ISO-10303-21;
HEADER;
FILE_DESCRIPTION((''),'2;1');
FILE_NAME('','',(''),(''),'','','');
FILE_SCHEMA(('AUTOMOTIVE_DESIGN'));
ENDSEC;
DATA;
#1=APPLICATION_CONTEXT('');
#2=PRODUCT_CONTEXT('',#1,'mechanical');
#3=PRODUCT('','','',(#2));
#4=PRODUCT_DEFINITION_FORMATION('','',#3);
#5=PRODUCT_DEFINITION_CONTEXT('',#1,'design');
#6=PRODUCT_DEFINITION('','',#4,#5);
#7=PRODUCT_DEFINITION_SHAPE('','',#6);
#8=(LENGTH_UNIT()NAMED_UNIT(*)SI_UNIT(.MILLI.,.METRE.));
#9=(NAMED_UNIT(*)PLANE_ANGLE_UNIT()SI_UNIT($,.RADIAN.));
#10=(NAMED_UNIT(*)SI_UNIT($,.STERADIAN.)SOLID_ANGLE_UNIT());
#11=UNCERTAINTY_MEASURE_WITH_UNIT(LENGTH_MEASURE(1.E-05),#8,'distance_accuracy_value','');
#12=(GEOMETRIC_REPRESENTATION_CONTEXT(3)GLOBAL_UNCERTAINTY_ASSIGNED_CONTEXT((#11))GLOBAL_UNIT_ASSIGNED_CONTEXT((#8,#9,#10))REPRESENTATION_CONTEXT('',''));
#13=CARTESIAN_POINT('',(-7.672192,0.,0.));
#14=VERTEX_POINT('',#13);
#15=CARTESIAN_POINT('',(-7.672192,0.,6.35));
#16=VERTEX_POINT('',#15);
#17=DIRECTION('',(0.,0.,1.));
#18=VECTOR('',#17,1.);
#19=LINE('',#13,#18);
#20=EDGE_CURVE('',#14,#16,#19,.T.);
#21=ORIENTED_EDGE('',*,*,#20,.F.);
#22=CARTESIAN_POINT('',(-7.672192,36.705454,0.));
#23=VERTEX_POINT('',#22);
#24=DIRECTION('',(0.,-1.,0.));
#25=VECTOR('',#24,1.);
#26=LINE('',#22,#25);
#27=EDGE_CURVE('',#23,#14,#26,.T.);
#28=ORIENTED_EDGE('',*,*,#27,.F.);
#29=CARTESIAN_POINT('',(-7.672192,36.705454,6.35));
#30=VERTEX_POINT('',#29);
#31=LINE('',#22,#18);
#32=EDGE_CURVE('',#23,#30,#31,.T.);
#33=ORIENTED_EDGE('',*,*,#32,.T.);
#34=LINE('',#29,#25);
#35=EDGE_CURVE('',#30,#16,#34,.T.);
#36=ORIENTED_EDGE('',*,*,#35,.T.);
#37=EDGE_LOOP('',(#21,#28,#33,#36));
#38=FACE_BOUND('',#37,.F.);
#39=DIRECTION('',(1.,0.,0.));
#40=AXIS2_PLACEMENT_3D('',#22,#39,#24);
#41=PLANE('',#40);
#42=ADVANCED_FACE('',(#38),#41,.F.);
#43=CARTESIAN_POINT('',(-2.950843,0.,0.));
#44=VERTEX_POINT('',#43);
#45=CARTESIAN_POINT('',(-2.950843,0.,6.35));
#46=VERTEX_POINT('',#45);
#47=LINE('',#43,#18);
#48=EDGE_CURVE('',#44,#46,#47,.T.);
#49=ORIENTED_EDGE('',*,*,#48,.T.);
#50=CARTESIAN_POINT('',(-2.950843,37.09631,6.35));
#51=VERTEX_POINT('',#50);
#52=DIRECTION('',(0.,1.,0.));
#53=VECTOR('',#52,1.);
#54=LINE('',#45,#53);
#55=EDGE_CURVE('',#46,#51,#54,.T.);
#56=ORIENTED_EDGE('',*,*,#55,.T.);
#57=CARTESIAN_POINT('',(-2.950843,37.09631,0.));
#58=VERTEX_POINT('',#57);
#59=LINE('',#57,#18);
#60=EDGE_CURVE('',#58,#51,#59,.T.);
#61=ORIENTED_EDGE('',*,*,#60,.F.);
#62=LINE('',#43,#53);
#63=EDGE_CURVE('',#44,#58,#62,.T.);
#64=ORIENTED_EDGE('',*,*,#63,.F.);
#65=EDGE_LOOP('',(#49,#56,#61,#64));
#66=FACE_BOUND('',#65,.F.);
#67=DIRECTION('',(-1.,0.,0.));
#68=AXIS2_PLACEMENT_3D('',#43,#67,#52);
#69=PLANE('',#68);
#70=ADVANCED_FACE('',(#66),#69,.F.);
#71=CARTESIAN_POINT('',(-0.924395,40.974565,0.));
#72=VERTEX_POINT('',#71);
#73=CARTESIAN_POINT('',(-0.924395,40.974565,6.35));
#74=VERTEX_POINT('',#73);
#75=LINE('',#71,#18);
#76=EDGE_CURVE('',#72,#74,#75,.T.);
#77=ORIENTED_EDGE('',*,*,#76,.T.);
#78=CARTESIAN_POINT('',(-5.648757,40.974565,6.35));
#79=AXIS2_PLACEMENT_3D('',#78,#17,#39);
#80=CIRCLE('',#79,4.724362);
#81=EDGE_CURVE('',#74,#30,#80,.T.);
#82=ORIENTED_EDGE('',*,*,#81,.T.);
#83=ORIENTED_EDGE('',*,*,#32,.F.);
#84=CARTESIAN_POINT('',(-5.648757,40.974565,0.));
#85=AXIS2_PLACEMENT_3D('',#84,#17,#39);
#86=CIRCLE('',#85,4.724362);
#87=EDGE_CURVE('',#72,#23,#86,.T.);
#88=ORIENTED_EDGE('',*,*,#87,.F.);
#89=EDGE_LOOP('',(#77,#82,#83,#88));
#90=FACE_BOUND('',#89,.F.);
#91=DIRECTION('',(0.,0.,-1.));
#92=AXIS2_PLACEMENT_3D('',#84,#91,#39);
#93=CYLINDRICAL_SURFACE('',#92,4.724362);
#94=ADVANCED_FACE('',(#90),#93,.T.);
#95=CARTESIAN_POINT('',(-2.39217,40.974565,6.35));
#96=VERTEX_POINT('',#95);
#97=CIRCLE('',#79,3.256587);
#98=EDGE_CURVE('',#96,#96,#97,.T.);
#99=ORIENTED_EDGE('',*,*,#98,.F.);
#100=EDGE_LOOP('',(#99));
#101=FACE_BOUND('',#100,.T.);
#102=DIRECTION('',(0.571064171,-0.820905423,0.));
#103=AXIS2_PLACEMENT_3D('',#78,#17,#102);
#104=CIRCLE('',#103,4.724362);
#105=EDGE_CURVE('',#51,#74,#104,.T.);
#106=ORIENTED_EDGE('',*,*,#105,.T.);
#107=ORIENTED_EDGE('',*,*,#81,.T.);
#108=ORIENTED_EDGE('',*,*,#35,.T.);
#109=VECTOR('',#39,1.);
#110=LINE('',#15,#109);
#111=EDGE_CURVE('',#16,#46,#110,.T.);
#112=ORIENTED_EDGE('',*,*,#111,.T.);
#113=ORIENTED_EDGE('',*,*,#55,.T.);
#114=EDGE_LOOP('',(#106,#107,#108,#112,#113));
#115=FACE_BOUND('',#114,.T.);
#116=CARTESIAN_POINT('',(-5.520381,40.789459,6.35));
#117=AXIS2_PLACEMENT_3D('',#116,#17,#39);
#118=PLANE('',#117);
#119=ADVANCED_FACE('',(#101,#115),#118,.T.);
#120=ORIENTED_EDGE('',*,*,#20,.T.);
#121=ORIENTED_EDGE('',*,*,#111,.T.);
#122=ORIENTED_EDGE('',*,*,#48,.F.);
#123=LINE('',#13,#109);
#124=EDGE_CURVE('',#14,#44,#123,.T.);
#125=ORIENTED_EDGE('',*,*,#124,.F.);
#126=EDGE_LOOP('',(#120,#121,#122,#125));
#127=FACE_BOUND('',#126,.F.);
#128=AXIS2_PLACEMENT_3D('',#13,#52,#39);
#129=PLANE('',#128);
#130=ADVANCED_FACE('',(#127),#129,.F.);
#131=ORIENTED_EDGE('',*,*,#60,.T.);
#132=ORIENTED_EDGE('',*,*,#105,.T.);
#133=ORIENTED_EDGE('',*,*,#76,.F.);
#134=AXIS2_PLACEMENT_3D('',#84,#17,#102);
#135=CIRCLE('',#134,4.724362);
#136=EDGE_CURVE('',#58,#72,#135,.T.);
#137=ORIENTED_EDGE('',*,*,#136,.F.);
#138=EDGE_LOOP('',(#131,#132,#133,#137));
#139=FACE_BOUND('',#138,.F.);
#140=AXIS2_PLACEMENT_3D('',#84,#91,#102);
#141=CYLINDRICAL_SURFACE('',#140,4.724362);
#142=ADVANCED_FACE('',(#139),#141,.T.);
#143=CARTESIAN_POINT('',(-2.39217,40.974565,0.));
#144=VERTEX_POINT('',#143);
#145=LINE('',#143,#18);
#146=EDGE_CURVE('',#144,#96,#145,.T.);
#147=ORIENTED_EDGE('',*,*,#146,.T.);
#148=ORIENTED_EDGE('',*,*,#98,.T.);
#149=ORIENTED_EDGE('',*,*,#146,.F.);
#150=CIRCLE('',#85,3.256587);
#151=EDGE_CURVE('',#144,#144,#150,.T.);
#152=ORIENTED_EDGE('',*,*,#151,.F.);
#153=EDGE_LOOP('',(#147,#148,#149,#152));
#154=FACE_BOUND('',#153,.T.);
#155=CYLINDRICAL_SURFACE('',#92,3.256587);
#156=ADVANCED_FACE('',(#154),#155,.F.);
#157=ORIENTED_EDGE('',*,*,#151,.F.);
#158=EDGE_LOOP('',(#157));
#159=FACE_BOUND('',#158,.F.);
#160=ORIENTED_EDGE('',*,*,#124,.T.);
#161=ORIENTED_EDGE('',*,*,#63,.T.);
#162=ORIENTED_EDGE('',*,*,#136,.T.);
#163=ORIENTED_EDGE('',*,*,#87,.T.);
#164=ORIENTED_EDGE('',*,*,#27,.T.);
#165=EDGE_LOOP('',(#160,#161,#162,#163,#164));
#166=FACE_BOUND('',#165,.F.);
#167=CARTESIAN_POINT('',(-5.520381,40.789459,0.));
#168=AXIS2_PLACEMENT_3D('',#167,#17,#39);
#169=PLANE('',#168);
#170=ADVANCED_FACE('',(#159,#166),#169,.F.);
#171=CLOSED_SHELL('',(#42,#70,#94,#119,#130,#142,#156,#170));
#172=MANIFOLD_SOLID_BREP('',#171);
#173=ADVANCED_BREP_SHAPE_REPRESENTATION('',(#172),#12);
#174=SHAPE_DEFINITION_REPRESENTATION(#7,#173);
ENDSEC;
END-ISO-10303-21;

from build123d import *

# Parameters (mm, degrees)
F0_R     = 3.2565865512
F1_DEPTH = 6.35


with BuildPart() as f1:
    # F0 (on Top) → F1 (new body)
    with BuildSketch(Plane.XY):
        with BuildLine():
            Line((-7.6721920632, 36.7054540553), (-7.6721920632, 37.0963104069))
            Line((-7.6721920632, 37.0963104069), (-2.9508429579, 37.0963104069))
            ThreePointArc((-2.9508429579, 37.0963104069), (-1.4615430474, 38.7866806162), (-0.9243947942, 40.9745648503))
            ThreePointArc((-0.9243947942, 40.9745648503), (-8.174638541, 44.9669975349), (-7.6721920632, 36.7054540553))
        make_face()
        with Locations((-5.6487568654, 40.9745648503)):
            Circle(F0_R, mode=Mode.SUBTRACT)
        with BuildLine():
            Line((-2.9508429579, 37.0963104069), (-7.6721920632, 37.0963104069))
            Line((-7.6721920632, 37.0963104069), (-7.6721920632, 36.7054540553))
            ThreePointArc((-7.6721920632, 36.7054540553), (-5.2589844262, 36.2663088648), (-2.9508429579, 37.0963104069))
        make_face()
        with BuildLine():
            Line((-2.9508429579, 0), (-2.9508429579, 37.0963104069))
            ThreePointArc((-2.9508429579, 37.0963104069), (-5.2589844262, 36.2663088648), (-7.6721920632, 36.7054540553))
            Line((-7.6721920632, 36.7054540553), (-7.6721920632, 0))
            Line((-7.6721920632, 0), (-2.9508429579, 0))
        make_face()
    extrude(amount=F1_DEPTH)


solid = f1.part
